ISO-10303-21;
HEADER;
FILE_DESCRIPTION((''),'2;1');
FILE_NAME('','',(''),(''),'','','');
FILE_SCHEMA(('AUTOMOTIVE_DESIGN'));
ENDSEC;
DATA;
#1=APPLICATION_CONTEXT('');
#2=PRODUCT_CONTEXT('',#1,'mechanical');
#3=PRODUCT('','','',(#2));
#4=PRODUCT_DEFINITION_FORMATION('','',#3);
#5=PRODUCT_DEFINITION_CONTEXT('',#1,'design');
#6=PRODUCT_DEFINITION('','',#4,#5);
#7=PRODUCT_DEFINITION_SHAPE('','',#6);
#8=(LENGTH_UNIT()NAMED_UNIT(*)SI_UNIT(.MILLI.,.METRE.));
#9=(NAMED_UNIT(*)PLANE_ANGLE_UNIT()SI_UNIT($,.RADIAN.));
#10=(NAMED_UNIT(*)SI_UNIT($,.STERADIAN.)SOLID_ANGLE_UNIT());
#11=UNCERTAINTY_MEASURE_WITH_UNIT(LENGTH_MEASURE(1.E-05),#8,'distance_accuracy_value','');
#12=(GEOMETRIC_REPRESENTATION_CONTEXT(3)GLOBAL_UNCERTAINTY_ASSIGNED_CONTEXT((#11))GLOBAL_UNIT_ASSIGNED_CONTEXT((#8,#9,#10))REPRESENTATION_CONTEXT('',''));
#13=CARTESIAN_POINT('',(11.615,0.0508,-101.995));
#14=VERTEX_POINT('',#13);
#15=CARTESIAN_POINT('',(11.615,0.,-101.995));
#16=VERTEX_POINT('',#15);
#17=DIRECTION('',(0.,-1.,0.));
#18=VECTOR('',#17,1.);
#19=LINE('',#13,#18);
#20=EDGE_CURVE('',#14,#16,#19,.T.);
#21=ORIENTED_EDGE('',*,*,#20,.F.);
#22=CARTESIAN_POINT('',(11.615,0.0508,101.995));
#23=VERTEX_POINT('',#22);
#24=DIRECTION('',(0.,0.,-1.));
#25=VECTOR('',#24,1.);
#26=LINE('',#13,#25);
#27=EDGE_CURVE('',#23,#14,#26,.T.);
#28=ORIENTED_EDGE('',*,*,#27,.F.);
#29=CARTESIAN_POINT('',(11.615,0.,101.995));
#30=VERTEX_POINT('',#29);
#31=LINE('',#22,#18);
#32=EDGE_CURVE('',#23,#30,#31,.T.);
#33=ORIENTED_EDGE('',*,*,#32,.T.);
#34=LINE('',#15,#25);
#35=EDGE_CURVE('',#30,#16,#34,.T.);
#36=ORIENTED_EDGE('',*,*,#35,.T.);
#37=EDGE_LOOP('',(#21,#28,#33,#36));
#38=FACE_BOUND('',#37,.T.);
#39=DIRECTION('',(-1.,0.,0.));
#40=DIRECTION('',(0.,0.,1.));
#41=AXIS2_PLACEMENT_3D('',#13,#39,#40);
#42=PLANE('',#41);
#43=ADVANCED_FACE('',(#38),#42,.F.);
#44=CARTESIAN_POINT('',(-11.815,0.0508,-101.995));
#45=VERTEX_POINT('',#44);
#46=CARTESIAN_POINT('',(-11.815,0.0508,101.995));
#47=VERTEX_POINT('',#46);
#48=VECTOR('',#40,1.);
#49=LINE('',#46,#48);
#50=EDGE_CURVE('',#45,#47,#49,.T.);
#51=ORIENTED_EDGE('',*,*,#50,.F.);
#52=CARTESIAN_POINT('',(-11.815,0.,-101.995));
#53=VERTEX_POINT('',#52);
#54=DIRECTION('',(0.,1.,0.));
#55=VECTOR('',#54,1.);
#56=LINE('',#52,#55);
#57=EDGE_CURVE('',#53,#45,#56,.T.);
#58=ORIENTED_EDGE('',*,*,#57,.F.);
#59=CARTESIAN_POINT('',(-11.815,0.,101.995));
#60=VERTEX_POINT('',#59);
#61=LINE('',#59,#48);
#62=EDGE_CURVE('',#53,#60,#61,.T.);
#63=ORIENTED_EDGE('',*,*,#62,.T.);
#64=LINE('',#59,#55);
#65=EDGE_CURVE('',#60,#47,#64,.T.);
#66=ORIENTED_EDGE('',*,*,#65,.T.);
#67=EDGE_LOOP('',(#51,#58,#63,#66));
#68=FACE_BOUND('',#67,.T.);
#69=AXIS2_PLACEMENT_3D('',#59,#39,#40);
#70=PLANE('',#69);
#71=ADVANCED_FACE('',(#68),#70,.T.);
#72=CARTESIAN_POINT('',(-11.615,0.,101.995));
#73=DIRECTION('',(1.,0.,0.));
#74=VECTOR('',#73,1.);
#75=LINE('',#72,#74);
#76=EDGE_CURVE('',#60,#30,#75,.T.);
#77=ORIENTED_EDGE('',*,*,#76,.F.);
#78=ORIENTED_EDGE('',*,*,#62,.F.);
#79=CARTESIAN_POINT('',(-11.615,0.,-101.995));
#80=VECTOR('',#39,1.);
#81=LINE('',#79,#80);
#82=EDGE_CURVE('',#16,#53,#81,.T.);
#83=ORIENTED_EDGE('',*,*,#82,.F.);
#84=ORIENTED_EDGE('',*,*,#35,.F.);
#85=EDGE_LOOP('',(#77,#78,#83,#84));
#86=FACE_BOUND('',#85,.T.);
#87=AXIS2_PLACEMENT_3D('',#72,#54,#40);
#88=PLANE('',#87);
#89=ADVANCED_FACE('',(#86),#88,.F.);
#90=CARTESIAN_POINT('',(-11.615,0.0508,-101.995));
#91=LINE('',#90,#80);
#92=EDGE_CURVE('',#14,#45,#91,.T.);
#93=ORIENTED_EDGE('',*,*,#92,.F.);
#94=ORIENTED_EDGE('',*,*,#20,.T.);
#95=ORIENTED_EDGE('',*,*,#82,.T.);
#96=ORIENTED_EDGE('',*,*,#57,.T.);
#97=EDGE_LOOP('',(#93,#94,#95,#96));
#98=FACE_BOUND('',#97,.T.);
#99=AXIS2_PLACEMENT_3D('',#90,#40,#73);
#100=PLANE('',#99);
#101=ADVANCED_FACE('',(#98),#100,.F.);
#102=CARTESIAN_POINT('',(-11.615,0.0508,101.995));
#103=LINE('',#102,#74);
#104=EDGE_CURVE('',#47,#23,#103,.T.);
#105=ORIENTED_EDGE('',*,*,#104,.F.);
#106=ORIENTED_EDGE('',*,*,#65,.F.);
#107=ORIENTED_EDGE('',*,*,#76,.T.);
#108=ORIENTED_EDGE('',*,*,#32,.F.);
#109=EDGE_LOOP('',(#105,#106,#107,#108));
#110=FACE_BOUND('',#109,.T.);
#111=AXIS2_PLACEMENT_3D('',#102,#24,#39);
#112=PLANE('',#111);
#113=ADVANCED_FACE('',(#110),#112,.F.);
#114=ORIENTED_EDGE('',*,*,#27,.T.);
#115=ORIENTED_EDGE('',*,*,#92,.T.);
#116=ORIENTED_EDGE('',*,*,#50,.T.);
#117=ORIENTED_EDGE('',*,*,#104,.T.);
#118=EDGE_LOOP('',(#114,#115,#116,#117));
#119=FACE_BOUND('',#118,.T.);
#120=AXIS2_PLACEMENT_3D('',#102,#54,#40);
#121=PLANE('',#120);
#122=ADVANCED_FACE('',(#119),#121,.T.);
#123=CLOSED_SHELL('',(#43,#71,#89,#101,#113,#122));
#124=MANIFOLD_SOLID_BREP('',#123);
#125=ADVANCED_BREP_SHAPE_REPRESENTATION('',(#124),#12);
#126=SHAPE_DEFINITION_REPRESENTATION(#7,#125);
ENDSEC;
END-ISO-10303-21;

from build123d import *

# Parameters (mm, degrees)
SKETCH1_W           = 23.23
SKETCH1_H           = 203.99
EXTRUDE1_DEPTH      = 0.0508
SKETCH2_W           = 0.2
SKETCH2_H           = 203.99
BOSS_EXTRUDE1_DEPTH = 0.0508


with BuildPart() as part:
    # Sketch1 → Extrude1 (new body)
    with BuildSketch(Plane(origin=(0, 0, 0), x_dir=(1, 0, 0), z_dir=(0, 1, 0))):
        Rectangle(SKETCH1_W, SKETCH1_H)
    extrude(amount=EXTRUDE1_DEPTH)

    # Sketch2 → Boss-Extrude1 (add, through all)
    with BuildSketch(Plane(origin=(0, 0.0508, 0), x_dir=(1, 0, 0), z_dir=(0, 1, 0))):
        with Locations((-11.715, 0)):
            Rectangle(SKETCH2_W, SKETCH2_H)
    extrude(amount=-BOSS_EXTRUDE1_DEPTH)


solid = part.part
